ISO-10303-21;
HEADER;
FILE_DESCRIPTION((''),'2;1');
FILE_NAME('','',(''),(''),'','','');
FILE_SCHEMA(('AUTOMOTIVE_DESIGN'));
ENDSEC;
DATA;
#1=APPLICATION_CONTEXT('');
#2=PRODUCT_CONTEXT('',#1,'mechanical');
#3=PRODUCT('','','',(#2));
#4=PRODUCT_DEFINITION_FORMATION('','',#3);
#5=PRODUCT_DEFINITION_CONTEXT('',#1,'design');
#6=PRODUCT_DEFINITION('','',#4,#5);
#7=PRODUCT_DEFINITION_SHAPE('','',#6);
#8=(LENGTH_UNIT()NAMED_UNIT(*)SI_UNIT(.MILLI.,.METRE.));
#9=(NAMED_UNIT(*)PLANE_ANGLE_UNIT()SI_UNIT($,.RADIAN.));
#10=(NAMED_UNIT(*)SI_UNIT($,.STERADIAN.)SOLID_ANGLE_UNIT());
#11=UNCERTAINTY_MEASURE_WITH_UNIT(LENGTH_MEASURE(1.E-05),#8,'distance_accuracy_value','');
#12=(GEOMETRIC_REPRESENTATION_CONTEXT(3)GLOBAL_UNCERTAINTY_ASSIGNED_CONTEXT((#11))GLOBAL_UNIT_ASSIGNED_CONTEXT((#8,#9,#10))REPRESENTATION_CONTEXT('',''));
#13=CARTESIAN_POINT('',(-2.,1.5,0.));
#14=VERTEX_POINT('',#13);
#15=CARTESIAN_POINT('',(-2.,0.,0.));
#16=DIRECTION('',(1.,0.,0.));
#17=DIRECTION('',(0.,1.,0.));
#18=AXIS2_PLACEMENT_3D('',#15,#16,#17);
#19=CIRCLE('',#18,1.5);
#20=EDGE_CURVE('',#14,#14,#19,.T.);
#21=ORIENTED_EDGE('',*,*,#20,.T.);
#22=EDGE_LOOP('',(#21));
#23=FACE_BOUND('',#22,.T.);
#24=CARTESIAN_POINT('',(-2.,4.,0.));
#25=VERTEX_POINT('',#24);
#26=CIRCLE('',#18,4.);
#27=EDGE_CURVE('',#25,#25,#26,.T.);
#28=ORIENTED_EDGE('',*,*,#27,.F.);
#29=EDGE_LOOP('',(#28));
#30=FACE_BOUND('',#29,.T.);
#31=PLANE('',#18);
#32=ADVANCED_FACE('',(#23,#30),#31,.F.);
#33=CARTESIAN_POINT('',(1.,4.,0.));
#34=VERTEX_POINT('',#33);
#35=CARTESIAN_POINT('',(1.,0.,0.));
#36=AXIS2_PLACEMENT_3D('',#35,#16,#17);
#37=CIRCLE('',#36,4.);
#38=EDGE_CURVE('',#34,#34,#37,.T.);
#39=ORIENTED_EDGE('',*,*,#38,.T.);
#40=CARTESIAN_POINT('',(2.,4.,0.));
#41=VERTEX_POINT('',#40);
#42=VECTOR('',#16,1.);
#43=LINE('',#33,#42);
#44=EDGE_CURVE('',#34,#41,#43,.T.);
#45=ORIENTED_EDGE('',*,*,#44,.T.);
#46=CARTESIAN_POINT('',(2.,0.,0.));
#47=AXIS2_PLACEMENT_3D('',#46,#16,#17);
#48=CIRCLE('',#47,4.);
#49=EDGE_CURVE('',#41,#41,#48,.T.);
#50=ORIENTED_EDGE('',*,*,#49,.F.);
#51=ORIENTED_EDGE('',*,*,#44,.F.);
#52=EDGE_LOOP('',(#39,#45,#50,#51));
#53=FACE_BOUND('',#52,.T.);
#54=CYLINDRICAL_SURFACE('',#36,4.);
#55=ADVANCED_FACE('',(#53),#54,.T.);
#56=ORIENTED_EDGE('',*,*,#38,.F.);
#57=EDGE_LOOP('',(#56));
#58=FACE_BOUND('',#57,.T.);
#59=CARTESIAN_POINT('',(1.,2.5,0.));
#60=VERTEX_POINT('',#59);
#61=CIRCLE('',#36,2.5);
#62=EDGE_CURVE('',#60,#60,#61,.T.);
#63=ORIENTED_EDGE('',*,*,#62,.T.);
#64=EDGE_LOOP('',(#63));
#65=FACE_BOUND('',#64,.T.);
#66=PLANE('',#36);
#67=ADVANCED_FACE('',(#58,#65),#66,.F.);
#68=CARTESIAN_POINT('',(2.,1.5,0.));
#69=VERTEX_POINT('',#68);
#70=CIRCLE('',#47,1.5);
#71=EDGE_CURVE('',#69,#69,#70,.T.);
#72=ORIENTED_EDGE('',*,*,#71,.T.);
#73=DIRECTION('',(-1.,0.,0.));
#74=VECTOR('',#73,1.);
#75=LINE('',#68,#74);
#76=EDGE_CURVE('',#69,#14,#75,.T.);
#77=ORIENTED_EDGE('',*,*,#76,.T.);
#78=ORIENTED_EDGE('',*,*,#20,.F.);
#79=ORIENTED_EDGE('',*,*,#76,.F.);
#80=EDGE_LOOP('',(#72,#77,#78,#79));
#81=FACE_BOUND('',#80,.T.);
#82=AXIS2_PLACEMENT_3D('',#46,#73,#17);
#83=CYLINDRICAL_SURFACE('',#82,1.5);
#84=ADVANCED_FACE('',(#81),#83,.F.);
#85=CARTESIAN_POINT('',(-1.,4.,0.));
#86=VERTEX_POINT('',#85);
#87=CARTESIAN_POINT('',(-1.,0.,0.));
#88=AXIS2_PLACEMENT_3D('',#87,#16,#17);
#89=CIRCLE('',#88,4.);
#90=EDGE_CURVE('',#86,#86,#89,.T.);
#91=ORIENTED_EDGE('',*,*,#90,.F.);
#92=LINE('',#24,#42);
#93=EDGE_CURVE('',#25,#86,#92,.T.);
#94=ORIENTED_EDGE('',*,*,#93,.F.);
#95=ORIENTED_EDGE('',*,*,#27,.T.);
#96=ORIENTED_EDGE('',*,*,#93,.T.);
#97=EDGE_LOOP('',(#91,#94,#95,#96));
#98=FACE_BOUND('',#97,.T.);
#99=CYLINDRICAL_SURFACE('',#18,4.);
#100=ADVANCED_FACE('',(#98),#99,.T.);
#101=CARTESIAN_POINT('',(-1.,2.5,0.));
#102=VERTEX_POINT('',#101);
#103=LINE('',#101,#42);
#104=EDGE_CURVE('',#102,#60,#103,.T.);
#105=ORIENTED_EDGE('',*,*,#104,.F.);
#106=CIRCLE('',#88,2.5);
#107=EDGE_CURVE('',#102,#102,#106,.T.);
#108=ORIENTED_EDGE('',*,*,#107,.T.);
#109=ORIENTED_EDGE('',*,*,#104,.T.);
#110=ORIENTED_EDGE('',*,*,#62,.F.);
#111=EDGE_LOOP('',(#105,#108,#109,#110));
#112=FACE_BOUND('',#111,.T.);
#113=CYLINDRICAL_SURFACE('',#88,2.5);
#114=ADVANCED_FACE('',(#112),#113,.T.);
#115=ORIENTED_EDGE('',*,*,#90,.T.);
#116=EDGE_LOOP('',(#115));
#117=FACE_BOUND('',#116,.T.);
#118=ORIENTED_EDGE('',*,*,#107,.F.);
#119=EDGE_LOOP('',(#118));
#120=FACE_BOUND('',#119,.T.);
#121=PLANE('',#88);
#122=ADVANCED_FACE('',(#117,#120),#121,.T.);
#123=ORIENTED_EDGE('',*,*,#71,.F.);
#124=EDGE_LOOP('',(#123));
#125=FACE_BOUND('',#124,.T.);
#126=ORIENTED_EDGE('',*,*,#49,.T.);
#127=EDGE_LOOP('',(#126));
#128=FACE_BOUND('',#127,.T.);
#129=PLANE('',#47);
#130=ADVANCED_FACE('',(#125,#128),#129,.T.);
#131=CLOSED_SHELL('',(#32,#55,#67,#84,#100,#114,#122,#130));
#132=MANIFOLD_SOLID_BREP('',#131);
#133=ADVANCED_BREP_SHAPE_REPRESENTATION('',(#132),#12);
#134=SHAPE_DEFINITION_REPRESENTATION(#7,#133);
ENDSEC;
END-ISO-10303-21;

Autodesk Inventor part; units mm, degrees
ref_plane "YZ Plane" through (0, 0, 0) normal (1, 0, 0) x (0, 1, 0)
ref_plane "XZ Plane" through (0, 0, 0) normal (0, 1, 0) x (-1, 0, 0)
ref_plane "XY Plane" through (0, 0, 0) normal (0, 0, 1) x (1, 0, 0)
sketch "スケッチ1" plane through (0, 0, 0) normal (0, 0, 1) x (1, 0, 0)
  line L0 (-2, 4) -> (-1, 4)
  line L1 (-1, 4) -> (-1, 2.5)
  line L2 (-1, 2.5) -> (1, 2.5)
  line L3 (1, 2.5) -> (1, 4)
  line L4 (1, 4) -> (2, 4)
  line L5 (2, 4) -> (2, 1.5)
  line L6 (2, 1.5) -> (-2, 1.5)
  line L7 (-2, 1.5) -> (-2, 4)
  line L8 (0, -0.8) -> (0, 4.8) construction
  line L9 (-2.8, 0) -> (2.8, 0) projected
  point P0 (0, 0)
  point P1 (0, 1.5)
  dimension "d0" = 1.5
  dimension "d1" = 2
  dimension "d2" = 1
  dimension "d3" = 2.5
  dimension "d4" = 1.5
revolve "回転1" add sketch "スケッチ1" angle 360 about axis through (-10, 0, 0) along (1, 0, 0)
properties part number "Pulley_S"
